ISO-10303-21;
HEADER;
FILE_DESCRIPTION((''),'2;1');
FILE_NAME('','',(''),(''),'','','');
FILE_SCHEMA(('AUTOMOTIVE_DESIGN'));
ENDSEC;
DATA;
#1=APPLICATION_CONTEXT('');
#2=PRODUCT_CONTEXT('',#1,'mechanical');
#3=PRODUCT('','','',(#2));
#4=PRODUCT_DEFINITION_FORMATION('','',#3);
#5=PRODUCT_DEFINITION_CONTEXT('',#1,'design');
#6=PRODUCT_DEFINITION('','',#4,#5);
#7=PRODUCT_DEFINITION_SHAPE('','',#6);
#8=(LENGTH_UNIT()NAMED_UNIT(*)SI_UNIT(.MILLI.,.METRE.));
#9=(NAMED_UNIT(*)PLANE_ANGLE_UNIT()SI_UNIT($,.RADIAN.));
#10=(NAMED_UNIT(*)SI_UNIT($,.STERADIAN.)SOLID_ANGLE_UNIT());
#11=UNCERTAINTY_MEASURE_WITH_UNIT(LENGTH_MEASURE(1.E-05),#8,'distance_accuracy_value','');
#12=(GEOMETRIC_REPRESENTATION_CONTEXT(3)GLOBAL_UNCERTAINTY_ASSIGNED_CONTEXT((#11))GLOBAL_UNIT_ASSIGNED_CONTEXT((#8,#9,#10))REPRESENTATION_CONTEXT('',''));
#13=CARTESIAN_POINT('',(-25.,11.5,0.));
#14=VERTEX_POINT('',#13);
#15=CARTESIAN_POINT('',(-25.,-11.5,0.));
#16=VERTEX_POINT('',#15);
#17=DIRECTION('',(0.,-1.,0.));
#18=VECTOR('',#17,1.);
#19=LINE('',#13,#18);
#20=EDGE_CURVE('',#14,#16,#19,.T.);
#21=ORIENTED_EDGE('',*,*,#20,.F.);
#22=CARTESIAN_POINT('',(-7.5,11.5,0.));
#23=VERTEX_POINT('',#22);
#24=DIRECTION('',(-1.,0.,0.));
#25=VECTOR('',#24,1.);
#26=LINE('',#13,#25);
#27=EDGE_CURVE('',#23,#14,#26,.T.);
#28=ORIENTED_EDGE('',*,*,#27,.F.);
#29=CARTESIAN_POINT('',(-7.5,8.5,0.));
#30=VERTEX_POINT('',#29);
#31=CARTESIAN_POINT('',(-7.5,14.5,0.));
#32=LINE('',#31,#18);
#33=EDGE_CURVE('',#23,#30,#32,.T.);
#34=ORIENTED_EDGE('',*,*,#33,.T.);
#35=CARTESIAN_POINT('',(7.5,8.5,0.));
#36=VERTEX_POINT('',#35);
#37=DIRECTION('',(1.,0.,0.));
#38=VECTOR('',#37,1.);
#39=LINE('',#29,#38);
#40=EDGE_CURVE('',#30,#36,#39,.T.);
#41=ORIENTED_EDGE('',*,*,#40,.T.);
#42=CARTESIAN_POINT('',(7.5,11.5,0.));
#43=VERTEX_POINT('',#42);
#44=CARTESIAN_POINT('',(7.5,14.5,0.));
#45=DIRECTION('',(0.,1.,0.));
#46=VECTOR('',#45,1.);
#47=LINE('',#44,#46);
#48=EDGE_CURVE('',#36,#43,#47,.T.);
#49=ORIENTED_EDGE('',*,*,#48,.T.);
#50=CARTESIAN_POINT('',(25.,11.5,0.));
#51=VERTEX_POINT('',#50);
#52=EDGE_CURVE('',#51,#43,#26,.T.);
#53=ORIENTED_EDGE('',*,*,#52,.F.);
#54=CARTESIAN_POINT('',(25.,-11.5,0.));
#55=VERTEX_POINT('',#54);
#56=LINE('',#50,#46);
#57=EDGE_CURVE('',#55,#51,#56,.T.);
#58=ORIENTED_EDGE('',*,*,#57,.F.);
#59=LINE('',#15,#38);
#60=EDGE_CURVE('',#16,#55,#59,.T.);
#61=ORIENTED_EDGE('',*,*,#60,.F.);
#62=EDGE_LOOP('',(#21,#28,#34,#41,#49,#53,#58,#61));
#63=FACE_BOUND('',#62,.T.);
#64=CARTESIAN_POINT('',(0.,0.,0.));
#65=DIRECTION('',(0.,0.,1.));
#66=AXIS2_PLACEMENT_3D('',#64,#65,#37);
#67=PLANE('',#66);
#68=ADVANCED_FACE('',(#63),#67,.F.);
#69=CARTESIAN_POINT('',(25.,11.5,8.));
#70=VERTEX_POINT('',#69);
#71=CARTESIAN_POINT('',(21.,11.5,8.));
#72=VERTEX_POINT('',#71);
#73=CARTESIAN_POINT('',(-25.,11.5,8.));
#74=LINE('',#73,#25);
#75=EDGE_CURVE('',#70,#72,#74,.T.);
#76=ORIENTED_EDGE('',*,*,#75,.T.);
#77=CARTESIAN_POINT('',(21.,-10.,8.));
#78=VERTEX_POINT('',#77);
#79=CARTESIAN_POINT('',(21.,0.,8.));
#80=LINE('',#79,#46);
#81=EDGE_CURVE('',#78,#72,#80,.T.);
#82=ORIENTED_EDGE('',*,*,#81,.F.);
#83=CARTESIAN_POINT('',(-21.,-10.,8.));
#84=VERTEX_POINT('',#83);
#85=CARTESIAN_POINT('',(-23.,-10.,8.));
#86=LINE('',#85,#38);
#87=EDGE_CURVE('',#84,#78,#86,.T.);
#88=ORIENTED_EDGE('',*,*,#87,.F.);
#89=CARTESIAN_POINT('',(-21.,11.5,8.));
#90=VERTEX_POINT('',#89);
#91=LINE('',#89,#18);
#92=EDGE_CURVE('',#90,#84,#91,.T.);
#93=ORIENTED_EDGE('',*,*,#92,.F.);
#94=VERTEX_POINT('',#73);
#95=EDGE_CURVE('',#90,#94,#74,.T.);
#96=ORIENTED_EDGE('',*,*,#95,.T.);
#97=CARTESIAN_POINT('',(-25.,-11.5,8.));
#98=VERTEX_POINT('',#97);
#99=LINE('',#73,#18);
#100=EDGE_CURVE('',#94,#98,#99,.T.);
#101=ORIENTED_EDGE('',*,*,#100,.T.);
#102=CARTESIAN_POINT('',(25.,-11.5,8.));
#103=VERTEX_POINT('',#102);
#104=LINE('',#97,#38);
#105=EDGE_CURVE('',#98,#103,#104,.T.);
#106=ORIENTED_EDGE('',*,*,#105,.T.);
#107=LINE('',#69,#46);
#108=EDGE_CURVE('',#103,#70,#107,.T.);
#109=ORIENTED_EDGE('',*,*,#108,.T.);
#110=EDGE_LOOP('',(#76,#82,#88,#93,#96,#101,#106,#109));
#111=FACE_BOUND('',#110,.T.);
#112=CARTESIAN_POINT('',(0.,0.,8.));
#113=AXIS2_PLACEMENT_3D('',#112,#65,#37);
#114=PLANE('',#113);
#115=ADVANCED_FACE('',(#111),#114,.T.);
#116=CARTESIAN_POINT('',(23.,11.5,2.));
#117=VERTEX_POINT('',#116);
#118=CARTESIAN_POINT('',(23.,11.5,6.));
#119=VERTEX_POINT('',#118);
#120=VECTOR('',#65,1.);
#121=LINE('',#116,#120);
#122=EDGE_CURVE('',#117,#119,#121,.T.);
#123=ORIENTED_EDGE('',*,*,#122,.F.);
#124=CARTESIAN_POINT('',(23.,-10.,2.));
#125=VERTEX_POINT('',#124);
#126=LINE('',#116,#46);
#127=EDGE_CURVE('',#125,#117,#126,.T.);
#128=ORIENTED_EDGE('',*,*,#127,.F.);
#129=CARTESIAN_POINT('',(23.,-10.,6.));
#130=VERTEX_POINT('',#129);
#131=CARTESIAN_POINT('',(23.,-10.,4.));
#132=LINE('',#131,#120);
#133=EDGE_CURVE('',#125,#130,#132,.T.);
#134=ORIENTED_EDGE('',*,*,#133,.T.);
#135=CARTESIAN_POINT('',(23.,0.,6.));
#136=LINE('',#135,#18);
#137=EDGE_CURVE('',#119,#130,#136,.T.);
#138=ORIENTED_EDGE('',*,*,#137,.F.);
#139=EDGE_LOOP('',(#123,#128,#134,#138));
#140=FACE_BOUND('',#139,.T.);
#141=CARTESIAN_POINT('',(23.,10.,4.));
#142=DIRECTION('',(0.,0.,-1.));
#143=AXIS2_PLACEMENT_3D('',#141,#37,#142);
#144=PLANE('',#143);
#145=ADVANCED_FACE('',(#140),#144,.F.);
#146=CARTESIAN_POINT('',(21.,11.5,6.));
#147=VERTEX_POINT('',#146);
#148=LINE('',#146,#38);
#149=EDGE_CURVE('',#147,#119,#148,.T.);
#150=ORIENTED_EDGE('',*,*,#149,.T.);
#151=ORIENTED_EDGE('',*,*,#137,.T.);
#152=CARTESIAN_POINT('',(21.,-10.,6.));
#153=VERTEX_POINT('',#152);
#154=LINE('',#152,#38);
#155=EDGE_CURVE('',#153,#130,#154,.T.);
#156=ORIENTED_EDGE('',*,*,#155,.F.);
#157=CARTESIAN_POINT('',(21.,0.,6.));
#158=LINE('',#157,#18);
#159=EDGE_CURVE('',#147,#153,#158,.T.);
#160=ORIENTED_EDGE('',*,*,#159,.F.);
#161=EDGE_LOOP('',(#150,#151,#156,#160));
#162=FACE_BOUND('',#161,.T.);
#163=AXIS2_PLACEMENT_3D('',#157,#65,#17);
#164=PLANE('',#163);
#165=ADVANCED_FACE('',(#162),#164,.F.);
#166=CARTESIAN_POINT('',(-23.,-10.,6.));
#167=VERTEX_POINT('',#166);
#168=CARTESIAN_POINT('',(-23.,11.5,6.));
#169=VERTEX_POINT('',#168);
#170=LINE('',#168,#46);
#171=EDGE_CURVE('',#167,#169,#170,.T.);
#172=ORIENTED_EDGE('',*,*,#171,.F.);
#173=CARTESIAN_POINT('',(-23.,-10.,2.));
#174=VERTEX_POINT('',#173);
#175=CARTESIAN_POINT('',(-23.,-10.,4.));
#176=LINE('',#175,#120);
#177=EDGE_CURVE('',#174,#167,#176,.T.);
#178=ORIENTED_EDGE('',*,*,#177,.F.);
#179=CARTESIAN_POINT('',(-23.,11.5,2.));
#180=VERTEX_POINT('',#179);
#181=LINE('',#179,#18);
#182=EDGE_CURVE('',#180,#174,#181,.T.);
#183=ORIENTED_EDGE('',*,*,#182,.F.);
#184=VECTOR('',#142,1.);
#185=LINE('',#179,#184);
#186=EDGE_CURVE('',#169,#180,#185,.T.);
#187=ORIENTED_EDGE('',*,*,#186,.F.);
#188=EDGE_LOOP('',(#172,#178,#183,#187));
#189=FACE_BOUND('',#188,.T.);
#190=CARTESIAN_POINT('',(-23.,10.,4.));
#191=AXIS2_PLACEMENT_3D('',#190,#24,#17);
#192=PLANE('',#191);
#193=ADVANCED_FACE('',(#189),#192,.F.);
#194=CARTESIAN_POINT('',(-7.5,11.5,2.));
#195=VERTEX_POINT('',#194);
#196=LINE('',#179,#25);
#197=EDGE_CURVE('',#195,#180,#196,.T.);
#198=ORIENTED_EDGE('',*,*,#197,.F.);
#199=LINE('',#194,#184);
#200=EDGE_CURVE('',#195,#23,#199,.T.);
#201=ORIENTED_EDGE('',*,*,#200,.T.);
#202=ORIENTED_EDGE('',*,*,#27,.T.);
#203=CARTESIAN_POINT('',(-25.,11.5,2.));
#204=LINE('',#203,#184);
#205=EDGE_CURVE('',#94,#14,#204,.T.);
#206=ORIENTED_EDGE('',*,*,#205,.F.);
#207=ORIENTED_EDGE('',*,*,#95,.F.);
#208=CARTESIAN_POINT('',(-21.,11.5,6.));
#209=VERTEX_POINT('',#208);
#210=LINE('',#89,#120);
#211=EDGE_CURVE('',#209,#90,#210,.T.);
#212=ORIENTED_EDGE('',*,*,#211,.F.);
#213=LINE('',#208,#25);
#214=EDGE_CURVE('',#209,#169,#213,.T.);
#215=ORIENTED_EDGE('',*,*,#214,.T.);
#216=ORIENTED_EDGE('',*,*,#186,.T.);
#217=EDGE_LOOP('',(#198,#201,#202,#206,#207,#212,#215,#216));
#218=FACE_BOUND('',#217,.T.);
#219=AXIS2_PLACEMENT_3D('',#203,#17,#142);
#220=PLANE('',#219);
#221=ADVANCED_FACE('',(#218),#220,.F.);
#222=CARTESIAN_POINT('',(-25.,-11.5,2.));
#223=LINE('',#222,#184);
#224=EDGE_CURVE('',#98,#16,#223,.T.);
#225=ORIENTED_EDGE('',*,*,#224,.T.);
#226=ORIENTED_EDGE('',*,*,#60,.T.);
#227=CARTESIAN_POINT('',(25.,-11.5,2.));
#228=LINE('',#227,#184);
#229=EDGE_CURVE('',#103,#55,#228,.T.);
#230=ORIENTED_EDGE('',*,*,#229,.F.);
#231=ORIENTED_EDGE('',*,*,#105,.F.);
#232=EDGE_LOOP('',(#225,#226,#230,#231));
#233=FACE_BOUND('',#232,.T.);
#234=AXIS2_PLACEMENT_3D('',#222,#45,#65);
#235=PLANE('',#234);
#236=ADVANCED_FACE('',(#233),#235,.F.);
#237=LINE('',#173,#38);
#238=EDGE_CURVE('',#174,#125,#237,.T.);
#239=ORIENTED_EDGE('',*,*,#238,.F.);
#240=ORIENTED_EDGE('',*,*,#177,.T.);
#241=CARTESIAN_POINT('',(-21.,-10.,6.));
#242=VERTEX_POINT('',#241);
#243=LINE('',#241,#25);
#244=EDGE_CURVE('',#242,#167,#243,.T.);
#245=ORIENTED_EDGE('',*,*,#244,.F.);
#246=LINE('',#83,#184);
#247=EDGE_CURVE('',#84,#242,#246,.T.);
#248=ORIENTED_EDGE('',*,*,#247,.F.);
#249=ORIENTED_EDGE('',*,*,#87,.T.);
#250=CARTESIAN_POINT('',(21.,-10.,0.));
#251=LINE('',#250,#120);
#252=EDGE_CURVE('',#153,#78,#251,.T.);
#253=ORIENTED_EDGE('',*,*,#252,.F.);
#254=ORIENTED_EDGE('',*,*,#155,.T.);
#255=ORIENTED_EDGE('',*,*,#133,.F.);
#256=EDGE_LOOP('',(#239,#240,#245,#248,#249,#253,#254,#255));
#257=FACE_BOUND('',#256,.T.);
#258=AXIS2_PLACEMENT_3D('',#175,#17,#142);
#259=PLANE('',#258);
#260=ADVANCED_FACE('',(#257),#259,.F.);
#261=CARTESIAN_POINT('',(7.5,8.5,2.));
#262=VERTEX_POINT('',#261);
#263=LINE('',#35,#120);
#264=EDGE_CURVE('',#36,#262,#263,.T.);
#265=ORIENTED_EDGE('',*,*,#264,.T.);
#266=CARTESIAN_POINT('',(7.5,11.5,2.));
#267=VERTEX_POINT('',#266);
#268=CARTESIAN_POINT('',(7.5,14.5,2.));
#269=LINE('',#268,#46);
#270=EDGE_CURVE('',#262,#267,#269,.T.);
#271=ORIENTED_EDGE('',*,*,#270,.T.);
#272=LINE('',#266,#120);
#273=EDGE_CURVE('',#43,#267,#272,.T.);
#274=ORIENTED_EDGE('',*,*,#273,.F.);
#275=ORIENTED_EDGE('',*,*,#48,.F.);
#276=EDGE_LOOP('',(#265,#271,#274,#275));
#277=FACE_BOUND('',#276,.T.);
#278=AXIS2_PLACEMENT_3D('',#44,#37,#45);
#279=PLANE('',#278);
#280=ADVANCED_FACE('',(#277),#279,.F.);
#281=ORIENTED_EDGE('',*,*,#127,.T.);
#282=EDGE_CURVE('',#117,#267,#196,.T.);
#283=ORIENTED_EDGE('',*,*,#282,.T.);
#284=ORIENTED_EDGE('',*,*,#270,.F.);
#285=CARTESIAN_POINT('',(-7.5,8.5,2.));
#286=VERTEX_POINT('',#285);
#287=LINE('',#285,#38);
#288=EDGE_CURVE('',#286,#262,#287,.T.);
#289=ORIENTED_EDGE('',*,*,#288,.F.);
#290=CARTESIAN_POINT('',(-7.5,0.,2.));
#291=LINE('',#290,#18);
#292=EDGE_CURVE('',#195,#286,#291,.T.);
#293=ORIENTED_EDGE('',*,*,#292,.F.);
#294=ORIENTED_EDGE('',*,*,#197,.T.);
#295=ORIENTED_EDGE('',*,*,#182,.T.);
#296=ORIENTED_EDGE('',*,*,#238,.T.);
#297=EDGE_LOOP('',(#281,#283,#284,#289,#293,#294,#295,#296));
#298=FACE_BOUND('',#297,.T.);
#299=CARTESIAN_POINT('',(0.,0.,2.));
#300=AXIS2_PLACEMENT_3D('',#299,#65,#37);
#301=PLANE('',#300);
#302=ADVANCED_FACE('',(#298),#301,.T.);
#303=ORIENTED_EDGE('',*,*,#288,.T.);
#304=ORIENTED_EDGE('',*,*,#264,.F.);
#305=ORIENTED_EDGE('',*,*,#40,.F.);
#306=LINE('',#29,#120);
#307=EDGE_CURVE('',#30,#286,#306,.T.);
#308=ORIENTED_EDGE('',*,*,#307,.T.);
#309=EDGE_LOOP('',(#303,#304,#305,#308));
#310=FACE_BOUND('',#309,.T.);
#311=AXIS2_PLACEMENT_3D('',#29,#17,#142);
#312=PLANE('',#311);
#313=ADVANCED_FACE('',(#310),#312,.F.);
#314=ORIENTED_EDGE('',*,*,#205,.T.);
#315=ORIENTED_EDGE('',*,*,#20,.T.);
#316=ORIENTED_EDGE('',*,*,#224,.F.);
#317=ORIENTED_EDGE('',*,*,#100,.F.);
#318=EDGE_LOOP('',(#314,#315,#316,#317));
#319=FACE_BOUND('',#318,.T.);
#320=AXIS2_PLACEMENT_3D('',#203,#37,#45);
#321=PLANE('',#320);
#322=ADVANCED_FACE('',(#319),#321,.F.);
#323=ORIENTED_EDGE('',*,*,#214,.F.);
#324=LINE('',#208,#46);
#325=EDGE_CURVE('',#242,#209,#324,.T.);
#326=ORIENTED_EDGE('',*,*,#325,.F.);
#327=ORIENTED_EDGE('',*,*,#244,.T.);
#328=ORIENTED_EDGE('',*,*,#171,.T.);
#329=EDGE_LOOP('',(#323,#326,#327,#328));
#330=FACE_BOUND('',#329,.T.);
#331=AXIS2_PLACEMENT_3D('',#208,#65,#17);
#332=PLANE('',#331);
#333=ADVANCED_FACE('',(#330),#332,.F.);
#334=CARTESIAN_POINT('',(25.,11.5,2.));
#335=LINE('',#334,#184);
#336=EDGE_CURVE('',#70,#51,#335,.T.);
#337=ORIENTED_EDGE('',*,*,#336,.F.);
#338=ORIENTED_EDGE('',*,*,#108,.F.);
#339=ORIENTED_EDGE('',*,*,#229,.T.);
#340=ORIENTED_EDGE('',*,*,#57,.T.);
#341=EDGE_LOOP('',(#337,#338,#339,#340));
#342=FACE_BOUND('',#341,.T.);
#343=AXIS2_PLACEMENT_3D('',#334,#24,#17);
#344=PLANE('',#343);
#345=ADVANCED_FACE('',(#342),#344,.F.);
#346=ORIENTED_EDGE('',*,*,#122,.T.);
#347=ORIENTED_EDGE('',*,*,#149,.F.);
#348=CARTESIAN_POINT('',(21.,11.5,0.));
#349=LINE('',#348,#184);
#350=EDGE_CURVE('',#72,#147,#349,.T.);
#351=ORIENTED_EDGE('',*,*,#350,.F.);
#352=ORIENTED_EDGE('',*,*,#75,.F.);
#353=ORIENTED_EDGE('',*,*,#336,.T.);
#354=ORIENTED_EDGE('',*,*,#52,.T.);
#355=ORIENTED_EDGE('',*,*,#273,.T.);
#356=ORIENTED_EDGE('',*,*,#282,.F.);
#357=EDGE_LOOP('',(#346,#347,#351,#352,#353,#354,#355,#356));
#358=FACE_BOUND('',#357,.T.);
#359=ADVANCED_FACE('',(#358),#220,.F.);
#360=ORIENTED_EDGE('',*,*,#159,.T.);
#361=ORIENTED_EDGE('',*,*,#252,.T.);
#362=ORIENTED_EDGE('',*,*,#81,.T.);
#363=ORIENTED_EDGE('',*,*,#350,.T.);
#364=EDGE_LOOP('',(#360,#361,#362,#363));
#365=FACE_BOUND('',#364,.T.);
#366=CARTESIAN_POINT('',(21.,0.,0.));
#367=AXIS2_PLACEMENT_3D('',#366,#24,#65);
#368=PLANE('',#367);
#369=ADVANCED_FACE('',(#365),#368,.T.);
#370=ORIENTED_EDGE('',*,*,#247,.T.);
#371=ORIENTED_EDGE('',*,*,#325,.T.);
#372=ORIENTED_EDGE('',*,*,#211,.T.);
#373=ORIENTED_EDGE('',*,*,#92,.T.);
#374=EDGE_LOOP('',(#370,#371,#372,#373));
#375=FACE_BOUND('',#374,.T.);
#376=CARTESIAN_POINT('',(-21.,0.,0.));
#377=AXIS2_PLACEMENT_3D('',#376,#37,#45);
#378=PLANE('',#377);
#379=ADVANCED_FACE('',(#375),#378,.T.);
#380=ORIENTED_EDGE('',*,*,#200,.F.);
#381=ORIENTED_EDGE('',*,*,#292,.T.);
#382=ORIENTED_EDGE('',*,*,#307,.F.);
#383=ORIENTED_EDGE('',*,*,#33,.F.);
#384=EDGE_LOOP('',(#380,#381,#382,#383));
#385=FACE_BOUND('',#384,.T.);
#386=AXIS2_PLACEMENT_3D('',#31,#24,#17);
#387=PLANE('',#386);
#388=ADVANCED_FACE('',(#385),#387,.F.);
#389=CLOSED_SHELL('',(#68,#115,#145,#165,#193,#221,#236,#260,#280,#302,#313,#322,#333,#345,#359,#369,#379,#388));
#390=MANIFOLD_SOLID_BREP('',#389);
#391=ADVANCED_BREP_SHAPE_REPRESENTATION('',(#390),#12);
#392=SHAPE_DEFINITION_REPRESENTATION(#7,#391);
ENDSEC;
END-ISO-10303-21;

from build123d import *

# Parameters (mm, degrees)
SKETCH1_W           = 50
SKETCH1_H           = 23
BOSS_EXTRUDE1_DEPTH = 2
SKETCH2_W           = 50
SKETCH2_H           = 23
BOSS_EXTRUDE2_DEPTH = 6
SKETCH3_W           = 46
SKETCH3_H           = 20
CUT_EXTRUDE1_DEPTH  = 4
SKETCH4_W           = 46
SKETCH4_H           = 4
CUT_EXTRUDE2_DEPTH  = 4
SKETCH5_W           = 46
SKETCH5_H           = 21.5
CUT_EXTRUDE3_DEPTH  = 2
SKETCH6_W           = 2
SKETCH6_H           = 21.5
BOSS_EXTRUDE3_DEPTH = 2
SKETCH7_W           = 2
SKETCH7_H           = 21.5
BOSS_EXTRUDE4_DEPTH = 2
SKETCH8_W           = 15
SKETCH8_H           = 6
CUT_EXTRUDE5_DEPTH  = 2


with BuildPart() as part:
    # Sketch1 → Boss-Extrude1 (new body)
    with BuildSketch(Plane.XY):
        Rectangle(SKETCH1_W, SKETCH1_H)
    extrude(amount=BOSS_EXTRUDE1_DEPTH)

    # Sketch2 → Boss-Extrude2 (add)
    with BuildSketch(Plane.XY.offset(2)):
        Rectangle(SKETCH2_W, SKETCH2_H)
    extrude(amount=BOSS_EXTRUDE2_DEPTH)

    # Sketch3 → Cut-Extrude1 (cut)
    with BuildSketch(Plane.XY.offset(8)):
        Rectangle(SKETCH3_W, SKETCH3_H)
    extrude(amount=-CUT_EXTRUDE1_DEPTH, mode=Mode.SUBTRACT)

    # Sketch4 → Cut-Extrude2 (cut)
    with BuildSketch(Plane.XZ.offset(-10)):
        with Locations((0, 6)):
            Rectangle(SKETCH4_W, SKETCH4_H)
    extrude(amount=-CUT_EXTRUDE2_DEPTH, mode=Mode.SUBTRACT)

    # Sketch5 → Cut-Extrude3 (cut)
    with BuildSketch(Plane.XY.offset(4)):
        with Locations((0, 0.75)):
            Rectangle(SKETCH5_W, SKETCH5_H)
    extrude(amount=-CUT_EXTRUDE3_DEPTH, mode=Mode.SUBTRACT)

    # Sketch6 → Boss-Extrude3 (add)
    with BuildSketch(Plane.ZY.offset(-23)):
        with Locations((7, 0.75)):
            Rectangle(SKETCH6_W, SKETCH6_H)
    extrude(amount=BOSS_EXTRUDE3_DEPTH)

    # Sketch7 → Boss-Extrude4 (add)
    with BuildSketch(Plane(origin=(-23, 0, 0), x_dir=(0, 0, -1), z_dir=(1, 0, 0))):
        with Locations((-7, 0.75)):
            Rectangle(SKETCH7_W, SKETCH7_H)
    extrude(amount=BOSS_EXTRUDE4_DEPTH)

    # Sketch8 → Cut-Extrude5 (cut)
    with BuildSketch(Plane.XY.offset(2)):
        with Locations((0, 11.5)):
            Rectangle(SKETCH8_W, SKETCH8_H)
    extrude(amount=-CUT_EXTRUDE5_DEPTH, mode=Mode.SUBTRACT)


solid = part.part
